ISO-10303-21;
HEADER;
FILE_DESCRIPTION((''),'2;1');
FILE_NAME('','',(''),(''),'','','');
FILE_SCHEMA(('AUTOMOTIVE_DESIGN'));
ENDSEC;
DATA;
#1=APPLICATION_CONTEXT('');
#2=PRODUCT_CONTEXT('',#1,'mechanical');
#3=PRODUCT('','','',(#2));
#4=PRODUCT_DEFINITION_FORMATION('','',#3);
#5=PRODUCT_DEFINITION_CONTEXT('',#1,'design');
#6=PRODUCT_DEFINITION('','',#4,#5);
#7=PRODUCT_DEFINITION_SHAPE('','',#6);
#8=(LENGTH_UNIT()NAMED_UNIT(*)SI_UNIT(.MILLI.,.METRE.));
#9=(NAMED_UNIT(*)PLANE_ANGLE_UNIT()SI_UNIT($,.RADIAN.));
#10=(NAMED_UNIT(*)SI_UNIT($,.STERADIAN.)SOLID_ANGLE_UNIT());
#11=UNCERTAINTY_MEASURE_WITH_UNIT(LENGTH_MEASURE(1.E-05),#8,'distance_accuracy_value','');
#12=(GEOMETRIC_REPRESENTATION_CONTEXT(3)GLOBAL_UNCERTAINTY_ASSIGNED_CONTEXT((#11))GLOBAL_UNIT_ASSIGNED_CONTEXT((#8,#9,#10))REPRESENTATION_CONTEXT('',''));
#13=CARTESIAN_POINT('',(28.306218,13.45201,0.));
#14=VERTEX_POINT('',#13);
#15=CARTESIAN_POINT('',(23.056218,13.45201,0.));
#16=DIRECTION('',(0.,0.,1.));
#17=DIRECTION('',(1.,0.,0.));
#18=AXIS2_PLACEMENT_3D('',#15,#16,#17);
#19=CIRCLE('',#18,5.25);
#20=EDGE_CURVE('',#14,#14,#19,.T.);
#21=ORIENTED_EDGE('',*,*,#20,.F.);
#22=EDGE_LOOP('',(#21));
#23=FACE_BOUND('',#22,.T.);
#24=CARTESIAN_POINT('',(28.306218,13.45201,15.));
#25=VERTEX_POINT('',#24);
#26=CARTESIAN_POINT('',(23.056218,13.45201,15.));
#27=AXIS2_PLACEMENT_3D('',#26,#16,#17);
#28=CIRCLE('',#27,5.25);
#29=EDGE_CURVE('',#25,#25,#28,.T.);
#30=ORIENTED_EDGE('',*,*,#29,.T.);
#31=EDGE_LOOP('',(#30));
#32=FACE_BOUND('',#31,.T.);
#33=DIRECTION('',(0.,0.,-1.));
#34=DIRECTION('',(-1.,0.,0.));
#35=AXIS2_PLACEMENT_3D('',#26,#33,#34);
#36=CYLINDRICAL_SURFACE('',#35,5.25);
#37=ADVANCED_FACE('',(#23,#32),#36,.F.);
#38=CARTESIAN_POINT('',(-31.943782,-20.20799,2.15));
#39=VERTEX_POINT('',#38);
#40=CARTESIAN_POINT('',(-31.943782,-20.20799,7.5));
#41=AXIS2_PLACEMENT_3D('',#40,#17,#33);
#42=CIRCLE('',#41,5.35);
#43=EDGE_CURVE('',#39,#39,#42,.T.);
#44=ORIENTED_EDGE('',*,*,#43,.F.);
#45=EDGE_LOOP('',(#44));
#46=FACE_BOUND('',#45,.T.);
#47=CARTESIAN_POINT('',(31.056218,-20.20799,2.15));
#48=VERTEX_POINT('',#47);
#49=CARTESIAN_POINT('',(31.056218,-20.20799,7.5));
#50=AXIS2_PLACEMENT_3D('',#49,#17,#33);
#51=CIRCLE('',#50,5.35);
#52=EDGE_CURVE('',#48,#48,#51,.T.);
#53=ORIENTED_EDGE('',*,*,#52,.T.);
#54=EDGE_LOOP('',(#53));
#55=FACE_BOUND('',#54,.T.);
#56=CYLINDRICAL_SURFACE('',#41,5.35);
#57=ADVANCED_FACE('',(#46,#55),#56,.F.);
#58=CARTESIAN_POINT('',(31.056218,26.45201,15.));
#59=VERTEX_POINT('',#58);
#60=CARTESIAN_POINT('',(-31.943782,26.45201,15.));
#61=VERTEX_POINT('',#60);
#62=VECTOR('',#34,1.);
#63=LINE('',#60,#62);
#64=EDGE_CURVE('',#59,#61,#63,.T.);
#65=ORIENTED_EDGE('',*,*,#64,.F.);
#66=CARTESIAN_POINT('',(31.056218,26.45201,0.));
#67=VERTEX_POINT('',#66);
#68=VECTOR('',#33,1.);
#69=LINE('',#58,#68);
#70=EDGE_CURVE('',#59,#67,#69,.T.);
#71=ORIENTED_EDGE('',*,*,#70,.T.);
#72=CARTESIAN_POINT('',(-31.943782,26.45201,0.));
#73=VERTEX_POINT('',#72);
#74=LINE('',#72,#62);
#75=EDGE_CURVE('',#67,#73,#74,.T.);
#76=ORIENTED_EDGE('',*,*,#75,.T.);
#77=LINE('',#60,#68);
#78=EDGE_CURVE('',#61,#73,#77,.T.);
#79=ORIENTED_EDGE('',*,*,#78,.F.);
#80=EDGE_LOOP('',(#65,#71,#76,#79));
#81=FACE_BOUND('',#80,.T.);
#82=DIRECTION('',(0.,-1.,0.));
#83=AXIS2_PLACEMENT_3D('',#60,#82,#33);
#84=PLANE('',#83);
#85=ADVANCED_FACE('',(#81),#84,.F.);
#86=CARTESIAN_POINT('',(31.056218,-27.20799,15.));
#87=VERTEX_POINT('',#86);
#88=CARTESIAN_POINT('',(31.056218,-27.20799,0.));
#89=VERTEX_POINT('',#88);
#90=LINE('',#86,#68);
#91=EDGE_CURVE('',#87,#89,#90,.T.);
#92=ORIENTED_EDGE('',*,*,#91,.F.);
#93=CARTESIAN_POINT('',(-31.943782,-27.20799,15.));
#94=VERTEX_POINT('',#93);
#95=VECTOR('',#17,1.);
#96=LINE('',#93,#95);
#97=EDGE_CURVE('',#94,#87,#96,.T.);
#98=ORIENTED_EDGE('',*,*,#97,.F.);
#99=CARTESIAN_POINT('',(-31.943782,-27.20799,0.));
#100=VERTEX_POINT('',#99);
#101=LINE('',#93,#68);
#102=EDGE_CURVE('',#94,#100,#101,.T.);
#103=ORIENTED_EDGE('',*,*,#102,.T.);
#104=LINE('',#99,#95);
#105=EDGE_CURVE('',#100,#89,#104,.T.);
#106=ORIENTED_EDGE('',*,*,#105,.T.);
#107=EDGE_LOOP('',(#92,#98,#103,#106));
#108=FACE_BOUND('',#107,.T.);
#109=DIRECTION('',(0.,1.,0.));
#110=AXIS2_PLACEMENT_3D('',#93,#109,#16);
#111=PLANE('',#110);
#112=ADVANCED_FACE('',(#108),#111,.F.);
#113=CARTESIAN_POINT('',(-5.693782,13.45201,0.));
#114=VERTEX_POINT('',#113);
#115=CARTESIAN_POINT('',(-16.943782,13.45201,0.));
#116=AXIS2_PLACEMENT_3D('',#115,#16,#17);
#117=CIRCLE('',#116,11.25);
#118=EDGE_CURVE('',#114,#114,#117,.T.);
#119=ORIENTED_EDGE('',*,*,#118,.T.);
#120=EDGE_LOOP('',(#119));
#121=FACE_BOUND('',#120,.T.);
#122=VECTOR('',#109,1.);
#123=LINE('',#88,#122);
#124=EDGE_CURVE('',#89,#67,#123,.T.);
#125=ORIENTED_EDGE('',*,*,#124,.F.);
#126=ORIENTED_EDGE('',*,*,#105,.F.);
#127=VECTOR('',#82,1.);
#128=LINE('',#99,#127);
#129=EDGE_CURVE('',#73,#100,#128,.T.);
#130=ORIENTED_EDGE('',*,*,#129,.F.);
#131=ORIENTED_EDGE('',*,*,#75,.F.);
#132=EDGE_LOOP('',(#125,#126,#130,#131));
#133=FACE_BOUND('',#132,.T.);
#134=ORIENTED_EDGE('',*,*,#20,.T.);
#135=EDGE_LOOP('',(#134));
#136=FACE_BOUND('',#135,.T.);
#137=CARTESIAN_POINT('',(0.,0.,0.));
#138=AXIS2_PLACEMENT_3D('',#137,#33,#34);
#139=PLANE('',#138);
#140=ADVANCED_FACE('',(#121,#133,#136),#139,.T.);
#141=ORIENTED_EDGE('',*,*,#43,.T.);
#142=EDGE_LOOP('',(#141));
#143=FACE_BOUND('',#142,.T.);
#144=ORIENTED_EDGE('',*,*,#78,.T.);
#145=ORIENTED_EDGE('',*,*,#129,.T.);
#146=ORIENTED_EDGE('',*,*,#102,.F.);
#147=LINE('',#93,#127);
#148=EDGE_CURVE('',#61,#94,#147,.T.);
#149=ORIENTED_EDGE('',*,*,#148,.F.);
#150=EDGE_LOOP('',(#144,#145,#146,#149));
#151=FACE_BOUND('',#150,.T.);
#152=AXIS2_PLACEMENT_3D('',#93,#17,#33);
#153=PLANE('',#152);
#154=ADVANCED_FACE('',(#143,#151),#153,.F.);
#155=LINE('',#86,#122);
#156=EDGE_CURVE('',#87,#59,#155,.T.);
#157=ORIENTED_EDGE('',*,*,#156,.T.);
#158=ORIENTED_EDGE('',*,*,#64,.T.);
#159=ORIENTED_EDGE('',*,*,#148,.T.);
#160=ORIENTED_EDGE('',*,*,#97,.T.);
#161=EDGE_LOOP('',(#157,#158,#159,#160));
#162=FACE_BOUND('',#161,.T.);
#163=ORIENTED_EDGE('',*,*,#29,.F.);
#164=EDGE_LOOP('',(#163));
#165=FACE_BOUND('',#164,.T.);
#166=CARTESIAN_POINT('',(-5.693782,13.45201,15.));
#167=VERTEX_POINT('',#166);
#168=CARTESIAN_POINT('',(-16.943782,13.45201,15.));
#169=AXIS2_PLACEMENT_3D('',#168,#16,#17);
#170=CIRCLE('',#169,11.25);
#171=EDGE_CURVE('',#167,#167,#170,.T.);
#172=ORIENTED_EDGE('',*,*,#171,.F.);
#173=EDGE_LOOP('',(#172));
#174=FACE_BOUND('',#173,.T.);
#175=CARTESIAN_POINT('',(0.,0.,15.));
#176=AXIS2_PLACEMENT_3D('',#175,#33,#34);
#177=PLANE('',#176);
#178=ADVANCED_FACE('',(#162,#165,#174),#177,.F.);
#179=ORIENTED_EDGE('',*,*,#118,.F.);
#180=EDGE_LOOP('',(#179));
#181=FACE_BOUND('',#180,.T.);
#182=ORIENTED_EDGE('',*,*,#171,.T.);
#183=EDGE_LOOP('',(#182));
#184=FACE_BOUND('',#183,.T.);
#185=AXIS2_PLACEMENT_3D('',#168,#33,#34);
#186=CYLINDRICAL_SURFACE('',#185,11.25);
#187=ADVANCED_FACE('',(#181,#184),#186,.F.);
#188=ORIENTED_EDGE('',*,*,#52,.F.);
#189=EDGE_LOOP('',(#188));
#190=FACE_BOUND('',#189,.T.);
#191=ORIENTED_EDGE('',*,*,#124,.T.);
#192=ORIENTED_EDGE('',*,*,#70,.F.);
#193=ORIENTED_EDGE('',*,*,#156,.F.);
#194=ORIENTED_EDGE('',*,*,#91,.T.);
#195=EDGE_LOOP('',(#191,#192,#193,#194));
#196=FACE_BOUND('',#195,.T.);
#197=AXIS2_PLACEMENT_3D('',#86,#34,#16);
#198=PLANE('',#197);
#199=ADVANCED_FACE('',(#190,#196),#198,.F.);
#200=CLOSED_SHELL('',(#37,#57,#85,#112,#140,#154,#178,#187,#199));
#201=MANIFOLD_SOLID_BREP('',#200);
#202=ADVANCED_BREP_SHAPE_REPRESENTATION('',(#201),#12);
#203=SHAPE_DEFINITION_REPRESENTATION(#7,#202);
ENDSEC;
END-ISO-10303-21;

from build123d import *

# Parameters (mm, degrees)
SKETCH2_W           = 63
SKETCH2_H           = 53.66
SKETCH2_R           = 5.25
SKETCH2_R_2         = 11.25
BOSS_EXTRUDE1_DEPTH = 15
SKETCH3_R           = 5.35
CUT_EXTRUDE1_DEPTH  = 71.244392635


with BuildPart() as part:
    # Sketch2 → Boss-Extrude1 (new body)
    with BuildSketch(Plane.XY):
        with Locations((-0.443782019, -0.377989574)):
            Rectangle(SKETCH2_W, SKETCH2_H)
        with Locations((23.056217981, 13.452010426)):
            Circle(SKETCH2_R, mode=Mode.SUBTRACT)
        with Locations((-16.943782019, 13.452010426)):
            Circle(SKETCH2_R_2, mode=Mode.SUBTRACT)
    extrude(amount=BOSS_EXTRUDE1_DEPTH)

    # Sketch3 → Cut-Extrude1 (cut, through all)
    with BuildSketch(Plane(origin=(31.056217981, 0, 0), x_dir=(0, 0, -1), z_dir=(1, 0, 0))):
        with Locations((-7.5, -20.207989574)):
            Circle(SKETCH3_R)
    extrude(amount=-CUT_EXTRUDE1_DEPTH, mode=Mode.SUBTRACT)


solid = part.part
